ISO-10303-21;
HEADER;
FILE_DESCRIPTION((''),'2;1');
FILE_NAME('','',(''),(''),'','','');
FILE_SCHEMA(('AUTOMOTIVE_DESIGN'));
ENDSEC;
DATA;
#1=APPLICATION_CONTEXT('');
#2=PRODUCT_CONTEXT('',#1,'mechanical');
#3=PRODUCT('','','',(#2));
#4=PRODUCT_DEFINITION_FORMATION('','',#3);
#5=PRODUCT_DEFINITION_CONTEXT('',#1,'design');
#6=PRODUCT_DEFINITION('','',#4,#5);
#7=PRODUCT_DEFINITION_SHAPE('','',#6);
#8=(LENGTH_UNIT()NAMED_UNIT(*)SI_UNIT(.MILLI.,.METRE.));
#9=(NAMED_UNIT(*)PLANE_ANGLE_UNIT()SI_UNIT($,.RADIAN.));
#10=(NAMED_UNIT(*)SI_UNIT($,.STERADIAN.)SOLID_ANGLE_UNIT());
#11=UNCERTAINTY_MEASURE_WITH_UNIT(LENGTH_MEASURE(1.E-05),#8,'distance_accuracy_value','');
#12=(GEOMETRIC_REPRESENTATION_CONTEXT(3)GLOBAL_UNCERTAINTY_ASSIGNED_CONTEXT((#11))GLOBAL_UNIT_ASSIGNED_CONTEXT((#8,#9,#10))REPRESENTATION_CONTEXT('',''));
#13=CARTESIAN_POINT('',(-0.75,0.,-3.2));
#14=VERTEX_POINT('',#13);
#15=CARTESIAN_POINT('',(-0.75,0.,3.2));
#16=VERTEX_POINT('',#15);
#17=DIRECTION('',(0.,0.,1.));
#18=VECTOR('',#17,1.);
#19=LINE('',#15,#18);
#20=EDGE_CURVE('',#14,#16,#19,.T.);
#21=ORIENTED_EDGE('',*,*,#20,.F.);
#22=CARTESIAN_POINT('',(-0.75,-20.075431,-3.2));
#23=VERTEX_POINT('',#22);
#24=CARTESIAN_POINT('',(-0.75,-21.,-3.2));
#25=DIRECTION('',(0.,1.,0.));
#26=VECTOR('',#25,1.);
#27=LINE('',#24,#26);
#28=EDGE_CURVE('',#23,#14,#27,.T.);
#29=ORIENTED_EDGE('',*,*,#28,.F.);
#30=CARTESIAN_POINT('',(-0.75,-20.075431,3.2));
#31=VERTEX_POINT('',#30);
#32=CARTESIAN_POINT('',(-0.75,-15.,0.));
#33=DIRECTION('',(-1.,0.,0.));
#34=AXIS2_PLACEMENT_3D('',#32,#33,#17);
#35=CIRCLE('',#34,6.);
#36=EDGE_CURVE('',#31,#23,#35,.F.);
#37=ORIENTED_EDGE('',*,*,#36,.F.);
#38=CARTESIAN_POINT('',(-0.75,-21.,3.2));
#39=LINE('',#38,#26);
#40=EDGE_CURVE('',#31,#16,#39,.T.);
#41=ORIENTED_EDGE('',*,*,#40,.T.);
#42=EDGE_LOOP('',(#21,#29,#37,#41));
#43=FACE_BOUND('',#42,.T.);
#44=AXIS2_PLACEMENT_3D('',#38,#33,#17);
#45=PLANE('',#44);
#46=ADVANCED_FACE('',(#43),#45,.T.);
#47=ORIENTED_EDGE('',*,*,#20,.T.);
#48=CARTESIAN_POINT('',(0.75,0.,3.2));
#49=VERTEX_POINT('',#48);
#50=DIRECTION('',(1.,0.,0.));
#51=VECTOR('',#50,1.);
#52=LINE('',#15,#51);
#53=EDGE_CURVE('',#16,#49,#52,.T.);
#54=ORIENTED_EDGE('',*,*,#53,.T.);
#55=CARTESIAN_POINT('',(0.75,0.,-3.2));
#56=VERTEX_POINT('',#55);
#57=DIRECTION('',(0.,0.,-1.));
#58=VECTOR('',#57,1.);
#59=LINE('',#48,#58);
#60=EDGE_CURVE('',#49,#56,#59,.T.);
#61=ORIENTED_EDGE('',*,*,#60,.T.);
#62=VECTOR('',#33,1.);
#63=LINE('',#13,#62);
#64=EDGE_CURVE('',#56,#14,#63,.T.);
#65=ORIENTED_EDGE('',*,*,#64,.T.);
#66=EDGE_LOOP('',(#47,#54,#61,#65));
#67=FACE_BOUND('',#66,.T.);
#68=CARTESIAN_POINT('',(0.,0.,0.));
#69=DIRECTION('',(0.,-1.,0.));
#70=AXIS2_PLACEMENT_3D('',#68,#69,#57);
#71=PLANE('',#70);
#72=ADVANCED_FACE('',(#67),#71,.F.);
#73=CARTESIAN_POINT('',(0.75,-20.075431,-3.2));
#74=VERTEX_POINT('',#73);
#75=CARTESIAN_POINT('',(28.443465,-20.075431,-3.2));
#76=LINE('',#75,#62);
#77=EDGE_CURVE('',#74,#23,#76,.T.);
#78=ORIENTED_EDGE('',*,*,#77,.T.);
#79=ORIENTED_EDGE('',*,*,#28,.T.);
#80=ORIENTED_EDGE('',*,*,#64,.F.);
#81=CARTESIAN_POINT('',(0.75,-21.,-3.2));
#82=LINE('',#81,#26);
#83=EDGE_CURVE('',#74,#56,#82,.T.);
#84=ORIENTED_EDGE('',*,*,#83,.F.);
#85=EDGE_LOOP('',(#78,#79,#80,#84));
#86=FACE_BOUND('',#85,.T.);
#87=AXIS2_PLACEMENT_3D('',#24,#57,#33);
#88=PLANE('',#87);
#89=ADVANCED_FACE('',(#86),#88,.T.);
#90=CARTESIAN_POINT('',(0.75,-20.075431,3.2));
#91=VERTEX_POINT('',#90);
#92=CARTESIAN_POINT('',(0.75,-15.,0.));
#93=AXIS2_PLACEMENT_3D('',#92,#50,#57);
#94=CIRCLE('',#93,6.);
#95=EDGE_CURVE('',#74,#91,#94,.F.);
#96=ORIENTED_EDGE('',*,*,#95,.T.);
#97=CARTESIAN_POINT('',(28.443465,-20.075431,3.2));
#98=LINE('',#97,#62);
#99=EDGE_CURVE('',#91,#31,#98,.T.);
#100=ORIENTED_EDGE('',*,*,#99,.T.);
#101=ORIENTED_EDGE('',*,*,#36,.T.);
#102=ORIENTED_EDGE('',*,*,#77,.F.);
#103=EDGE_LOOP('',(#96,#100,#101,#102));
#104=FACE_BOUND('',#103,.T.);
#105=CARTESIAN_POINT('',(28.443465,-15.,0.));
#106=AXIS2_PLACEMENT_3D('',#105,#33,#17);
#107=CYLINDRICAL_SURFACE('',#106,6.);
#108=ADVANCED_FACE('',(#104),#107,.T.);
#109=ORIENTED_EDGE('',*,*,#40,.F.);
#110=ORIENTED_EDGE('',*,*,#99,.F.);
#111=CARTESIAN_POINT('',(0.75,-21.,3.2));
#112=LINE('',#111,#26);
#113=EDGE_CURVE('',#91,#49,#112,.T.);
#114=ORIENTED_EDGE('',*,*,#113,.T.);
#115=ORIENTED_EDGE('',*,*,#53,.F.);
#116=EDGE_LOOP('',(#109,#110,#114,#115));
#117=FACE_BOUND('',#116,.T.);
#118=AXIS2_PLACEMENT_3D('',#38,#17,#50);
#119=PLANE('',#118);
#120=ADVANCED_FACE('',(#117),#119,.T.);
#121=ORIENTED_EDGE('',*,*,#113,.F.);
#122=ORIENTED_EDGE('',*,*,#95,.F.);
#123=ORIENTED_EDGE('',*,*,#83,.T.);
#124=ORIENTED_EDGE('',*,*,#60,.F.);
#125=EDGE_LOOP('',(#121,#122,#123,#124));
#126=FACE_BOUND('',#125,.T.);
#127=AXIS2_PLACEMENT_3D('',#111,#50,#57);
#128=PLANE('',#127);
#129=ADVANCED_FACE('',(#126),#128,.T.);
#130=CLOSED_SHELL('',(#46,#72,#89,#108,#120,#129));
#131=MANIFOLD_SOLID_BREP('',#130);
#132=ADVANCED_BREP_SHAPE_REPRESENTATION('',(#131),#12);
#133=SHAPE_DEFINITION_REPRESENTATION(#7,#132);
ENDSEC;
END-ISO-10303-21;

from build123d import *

# Parameters (mm, degrees)
SPIN_W           = 1.5
SPIN_H           = 6.4
FPIN_DEPTH       = 21
FPIN2_DEPTH      = 1.75
FPIN2_DEPTH_BACK = 1.75


with BuildPart() as part:
    # SPin → FPin (new body)
    with BuildSketch(Plane(origin=(0, 0, 0), x_dir=(1, 0, 0), z_dir=(0, 1, 0))):
        Rectangle(SPIN_W, SPIN_H)
    extrude(amount=-FPIN_DEPTH)

    # SPin2 → FPin2 (cut, two sides)
    with BuildSketch(Plane(origin=(0, 0, 0), x_dir=(0, 0, -1), z_dir=(1, 0, 0))) as fpin2_sk:
        with BuildLine():
            Line((-47.307022322, 7.733531608), (-3.2, -20.075431016))
            ThreePointArc((-3.2, -20.075431016), (0, -21), (3.2, -20.075431016))
            Line((3.2, -20.075431016), (47.307022322, 7.733531608))
            Line((47.307022322, 7.733531608), (47.307022322, -96.550078233))
            Line((47.307022322, -96.550078233), (-47.307022322, -96.550078233))
            Line((-47.307022322, -96.550078233), (-47.307022322, 7.733531608))
        make_face()
    extrude(amount=FPIN2_DEPTH, mode=Mode.SUBTRACT)
    extrude(fpin2_sk.sketch, amount=-FPIN2_DEPTH_BACK, mode=Mode.SUBTRACT)


solid = part.part
